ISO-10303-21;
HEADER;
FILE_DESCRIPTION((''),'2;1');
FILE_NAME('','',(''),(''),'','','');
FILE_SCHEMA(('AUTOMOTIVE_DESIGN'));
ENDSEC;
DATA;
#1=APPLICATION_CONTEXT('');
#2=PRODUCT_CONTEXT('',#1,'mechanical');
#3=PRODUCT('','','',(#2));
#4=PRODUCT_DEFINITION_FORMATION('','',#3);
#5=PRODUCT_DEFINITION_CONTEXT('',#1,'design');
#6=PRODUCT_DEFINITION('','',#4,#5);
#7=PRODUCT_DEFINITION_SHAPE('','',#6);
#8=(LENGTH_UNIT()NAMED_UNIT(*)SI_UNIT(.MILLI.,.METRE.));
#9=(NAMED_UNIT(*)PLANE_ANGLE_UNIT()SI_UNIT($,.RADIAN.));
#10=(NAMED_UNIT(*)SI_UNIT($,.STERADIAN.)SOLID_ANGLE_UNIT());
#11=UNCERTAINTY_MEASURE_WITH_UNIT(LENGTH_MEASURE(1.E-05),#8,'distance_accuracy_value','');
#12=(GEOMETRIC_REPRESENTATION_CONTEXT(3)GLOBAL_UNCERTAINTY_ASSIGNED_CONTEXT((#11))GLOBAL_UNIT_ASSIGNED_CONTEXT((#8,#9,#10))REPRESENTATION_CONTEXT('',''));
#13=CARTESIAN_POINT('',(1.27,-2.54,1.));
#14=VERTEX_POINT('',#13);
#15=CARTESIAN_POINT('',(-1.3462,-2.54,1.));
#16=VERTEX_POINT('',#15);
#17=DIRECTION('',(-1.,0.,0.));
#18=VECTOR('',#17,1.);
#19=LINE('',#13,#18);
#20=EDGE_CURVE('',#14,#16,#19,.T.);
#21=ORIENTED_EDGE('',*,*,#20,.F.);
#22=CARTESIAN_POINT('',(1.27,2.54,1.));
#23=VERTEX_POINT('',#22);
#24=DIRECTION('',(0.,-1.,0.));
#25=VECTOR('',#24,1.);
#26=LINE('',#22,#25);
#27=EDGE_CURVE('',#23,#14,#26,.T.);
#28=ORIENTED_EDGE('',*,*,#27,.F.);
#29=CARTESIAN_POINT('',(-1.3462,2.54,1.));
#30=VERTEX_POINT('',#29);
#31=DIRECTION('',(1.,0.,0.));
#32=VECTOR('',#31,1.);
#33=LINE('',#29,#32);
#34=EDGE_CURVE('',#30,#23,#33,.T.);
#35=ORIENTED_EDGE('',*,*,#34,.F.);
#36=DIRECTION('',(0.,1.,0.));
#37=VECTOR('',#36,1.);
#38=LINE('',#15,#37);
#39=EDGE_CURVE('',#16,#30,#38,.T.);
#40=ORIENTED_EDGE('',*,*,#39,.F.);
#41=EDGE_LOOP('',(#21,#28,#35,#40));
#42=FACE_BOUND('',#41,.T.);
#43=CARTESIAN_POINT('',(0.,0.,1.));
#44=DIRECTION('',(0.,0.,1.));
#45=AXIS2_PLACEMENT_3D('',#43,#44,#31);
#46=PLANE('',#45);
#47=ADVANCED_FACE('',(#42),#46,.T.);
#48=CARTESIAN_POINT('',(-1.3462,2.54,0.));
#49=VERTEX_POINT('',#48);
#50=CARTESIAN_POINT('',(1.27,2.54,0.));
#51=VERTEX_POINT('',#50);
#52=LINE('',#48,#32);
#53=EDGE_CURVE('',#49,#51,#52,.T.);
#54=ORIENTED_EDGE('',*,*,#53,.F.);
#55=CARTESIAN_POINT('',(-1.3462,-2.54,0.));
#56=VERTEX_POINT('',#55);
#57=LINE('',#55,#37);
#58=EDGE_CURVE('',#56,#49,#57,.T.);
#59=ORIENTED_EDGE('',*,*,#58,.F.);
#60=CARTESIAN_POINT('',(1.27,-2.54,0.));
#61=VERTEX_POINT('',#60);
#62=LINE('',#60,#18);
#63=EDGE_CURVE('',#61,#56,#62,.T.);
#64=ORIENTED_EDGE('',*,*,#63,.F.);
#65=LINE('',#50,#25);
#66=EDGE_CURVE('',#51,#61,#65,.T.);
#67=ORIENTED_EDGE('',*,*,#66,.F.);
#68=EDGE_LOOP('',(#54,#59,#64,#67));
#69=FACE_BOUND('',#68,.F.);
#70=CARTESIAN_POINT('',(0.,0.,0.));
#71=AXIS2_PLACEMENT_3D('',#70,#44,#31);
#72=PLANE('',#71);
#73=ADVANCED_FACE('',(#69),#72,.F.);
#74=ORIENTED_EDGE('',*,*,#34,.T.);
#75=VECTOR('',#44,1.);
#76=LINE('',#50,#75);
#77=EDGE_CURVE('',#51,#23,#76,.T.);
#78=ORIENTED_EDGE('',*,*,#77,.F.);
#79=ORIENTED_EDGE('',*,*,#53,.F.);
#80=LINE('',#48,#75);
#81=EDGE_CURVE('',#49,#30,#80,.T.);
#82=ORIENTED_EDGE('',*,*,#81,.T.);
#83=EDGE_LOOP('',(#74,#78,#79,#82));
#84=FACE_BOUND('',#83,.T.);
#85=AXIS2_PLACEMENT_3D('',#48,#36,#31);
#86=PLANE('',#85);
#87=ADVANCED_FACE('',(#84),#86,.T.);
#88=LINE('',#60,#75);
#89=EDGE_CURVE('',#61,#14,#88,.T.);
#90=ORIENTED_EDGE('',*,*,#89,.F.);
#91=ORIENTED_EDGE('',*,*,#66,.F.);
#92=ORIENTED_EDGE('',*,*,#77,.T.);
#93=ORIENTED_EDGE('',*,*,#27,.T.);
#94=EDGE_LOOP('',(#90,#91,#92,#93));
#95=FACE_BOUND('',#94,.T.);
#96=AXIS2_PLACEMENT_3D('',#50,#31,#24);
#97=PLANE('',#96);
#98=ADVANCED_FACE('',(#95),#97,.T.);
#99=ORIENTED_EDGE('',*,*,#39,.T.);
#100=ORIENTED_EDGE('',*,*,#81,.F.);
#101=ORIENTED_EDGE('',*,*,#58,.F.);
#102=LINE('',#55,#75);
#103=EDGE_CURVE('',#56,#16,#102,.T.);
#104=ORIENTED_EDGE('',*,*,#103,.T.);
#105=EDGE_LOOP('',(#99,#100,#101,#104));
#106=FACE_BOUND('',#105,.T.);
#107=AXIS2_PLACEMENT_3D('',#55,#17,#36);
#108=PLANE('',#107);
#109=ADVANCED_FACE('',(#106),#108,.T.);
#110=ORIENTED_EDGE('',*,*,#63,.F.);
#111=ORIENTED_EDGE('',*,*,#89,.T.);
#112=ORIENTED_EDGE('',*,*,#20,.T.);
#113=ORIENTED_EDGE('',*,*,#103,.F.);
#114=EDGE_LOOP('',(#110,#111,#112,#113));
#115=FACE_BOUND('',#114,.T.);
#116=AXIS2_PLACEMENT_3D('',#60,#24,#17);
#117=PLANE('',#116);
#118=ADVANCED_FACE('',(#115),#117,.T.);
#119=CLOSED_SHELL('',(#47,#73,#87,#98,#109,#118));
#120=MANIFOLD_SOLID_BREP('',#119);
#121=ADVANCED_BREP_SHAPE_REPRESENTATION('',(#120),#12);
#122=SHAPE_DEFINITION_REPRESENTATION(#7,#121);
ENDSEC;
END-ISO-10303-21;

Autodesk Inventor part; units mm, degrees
ref_plane "YZ Plane" through (0, 0, 0) normal (1, 0, 0) x (0, 1, 0)
ref_plane "XZ Plane" through (0, 0, 0) normal (0, 1, 0) x (-1, 0, 0)
ref_plane "XY Plane" through (0, 0, 0) normal (0, 0, 1) x (1, 0, 0)
sketch "JP1M, SBW_RST_67" plane through (0, 0, 0) normal (0, 0, 1) x (1, 0, 0)
  line L0 (-1.3462, 2.54) -> (1.27, 2.54)
  line L1 (1.27, 2.54) -> (1.27, -2.54)
  line L2 (1.27, -2.54) -> (-1.3462, -2.54)
  line L3 (-1.3462, -2.54) -> (-1.3462, 2.54)
extrude "Extrusion1" add sketch "JP1M, SBW_RST_67" along normal blind 1
properties part number "SBW_RST"
